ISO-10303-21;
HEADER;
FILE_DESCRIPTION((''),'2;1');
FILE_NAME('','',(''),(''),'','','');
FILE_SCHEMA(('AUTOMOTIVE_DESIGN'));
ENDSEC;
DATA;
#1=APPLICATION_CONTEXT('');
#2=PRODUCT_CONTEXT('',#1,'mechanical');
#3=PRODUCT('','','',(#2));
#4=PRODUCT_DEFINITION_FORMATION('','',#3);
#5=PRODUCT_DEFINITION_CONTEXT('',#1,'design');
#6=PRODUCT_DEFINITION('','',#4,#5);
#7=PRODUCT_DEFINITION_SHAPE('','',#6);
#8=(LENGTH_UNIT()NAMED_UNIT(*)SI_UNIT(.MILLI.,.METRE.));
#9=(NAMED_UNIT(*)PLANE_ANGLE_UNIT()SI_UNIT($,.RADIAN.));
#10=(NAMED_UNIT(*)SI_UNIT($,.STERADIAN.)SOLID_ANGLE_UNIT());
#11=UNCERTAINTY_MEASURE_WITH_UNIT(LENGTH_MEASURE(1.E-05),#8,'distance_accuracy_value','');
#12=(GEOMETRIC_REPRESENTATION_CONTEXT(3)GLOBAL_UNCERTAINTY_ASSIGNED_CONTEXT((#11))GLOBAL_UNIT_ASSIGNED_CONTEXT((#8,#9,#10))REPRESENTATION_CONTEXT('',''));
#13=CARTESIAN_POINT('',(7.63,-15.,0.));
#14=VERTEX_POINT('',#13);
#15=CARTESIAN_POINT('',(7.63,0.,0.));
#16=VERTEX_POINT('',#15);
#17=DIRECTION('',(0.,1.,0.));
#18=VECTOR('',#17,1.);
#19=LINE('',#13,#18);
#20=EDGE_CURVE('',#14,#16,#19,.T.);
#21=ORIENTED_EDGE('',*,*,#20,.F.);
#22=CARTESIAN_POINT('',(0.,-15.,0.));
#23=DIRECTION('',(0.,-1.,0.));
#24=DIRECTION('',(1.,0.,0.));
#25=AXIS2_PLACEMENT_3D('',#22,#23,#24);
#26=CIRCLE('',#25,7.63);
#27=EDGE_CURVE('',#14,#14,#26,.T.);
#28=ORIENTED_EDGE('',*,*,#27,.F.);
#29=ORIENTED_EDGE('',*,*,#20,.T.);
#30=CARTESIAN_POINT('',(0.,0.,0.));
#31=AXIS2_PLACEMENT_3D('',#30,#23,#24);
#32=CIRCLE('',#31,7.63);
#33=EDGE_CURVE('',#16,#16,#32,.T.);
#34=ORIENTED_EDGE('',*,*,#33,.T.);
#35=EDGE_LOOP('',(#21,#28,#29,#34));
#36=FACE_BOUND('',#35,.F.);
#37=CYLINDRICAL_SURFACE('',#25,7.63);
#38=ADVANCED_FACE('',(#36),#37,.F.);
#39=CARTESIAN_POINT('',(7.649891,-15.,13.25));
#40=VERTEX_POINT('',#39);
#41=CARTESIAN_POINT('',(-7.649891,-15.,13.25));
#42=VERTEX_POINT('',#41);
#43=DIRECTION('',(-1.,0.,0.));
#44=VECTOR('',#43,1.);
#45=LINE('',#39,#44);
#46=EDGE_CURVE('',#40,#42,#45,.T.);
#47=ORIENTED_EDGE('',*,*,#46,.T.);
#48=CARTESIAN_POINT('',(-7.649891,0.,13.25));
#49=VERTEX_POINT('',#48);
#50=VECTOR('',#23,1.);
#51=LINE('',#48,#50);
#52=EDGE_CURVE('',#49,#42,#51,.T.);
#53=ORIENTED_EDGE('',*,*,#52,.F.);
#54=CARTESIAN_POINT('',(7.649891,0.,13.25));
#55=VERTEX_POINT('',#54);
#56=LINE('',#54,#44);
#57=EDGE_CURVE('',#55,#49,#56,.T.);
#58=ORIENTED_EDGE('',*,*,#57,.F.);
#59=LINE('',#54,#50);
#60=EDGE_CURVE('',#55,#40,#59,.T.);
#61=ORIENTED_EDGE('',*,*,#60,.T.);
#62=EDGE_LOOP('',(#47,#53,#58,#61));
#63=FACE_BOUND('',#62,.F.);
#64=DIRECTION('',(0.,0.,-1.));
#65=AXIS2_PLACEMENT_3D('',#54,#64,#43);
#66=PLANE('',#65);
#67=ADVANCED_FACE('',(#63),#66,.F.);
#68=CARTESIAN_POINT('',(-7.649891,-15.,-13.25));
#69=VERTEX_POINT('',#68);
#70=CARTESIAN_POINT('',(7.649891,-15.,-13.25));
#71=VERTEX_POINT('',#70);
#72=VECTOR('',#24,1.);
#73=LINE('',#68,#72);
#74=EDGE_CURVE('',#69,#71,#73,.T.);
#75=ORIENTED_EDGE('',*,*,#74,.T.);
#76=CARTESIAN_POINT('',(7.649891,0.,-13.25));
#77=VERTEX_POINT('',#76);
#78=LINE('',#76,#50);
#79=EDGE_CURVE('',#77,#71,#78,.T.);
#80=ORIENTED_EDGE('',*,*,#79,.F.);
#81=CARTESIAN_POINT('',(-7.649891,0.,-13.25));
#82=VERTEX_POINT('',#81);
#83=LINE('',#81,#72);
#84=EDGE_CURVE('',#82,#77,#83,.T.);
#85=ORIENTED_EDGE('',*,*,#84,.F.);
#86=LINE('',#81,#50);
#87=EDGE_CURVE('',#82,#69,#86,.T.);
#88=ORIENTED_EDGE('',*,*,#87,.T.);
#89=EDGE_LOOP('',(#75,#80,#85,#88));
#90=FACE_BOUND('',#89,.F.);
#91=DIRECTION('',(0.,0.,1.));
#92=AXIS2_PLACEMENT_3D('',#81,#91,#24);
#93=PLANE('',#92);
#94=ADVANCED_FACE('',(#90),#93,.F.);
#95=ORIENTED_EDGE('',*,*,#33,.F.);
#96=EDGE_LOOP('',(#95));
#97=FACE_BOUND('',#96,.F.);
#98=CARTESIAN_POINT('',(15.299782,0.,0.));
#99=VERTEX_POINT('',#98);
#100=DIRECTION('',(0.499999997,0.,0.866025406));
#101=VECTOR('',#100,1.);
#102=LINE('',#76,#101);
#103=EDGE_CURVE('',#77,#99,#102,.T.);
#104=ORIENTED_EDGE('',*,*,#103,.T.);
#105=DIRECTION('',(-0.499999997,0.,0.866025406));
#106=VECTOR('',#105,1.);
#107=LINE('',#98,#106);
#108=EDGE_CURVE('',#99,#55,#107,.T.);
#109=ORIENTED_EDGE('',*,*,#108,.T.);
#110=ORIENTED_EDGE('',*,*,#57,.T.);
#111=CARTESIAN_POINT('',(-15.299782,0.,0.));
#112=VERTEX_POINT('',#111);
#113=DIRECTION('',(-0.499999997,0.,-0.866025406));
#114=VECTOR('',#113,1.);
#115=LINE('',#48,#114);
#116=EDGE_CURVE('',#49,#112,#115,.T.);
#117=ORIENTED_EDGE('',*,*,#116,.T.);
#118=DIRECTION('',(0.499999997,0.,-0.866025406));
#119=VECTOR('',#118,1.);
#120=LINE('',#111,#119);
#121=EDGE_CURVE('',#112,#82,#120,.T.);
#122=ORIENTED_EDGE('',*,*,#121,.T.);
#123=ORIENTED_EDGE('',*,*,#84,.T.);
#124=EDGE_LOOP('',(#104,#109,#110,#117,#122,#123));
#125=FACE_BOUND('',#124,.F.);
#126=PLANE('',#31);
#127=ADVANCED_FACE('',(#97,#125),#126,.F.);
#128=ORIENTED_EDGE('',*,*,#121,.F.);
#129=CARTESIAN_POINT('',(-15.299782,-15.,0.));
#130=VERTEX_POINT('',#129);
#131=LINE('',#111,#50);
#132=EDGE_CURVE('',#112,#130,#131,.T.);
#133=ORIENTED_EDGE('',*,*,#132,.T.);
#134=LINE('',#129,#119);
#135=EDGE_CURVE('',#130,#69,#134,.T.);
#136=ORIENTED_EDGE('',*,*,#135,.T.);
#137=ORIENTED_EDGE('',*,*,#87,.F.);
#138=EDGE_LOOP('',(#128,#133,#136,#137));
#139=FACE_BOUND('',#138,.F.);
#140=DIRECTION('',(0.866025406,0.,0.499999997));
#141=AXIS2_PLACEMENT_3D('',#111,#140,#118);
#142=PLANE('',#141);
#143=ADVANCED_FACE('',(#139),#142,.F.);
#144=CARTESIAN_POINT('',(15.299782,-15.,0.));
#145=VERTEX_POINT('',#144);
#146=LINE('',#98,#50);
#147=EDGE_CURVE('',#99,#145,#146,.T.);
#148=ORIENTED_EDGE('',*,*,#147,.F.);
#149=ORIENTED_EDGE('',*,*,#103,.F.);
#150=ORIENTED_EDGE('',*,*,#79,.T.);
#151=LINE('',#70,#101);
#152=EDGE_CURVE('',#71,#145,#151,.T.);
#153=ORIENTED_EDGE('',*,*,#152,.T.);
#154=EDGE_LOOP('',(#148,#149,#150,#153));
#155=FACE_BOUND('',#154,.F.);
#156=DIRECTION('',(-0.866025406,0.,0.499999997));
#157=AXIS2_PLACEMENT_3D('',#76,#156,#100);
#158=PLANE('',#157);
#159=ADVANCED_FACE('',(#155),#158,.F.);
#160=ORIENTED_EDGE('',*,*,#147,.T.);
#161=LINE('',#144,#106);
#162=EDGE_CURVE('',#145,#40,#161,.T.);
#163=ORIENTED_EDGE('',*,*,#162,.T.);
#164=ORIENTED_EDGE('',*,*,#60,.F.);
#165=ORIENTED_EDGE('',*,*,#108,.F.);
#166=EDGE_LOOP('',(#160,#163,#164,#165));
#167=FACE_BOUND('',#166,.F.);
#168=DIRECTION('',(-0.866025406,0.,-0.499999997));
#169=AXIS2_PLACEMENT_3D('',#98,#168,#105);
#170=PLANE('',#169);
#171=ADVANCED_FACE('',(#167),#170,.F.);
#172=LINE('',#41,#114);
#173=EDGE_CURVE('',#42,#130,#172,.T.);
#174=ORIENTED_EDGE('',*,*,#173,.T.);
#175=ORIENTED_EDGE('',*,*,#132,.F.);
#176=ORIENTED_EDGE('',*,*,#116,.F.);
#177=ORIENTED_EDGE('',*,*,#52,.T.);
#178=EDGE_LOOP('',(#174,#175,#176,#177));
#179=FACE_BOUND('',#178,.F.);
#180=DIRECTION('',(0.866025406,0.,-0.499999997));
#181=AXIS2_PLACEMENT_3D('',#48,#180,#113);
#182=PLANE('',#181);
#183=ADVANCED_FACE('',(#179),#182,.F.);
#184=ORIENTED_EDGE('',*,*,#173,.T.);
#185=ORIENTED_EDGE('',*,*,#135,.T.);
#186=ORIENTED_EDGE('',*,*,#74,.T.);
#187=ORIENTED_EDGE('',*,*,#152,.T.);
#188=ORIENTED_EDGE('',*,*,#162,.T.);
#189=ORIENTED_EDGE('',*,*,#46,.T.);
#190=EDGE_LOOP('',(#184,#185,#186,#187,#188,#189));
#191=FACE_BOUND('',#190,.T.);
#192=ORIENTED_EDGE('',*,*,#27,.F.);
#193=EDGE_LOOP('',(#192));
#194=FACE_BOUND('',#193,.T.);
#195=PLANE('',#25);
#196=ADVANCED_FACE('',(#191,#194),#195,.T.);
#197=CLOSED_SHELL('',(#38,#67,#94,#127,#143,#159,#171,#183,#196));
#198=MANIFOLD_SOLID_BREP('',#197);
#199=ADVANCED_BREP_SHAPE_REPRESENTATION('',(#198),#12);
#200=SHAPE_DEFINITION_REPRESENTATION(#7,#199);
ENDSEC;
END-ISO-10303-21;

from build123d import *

# Parameters (mm, degrees)
F1_DEPTH = 15
F2_R     = 7.63
F3_DEPTH = 15.001


with BuildPart() as f1:
    # F0 (on Front) → F1 (new body)
    with BuildSketch(Plane.XZ):
        Polygon((-7.649891, 13.25), (-15.299782, 0), (-7.649891, -13.25), (7.649891, -13.25), (15.299782, 0), (7.649891, 13.25), align=None)
    extrude(amount=F1_DEPTH)

    # F2 (on face) → F3 (cut, through all)
    with BuildSketch(Plane.XZ.offset(15)):
        Circle(F2_R)
    extrude(amount=-F3_DEPTH, mode=Mode.SUBTRACT)


solid = f1.part
